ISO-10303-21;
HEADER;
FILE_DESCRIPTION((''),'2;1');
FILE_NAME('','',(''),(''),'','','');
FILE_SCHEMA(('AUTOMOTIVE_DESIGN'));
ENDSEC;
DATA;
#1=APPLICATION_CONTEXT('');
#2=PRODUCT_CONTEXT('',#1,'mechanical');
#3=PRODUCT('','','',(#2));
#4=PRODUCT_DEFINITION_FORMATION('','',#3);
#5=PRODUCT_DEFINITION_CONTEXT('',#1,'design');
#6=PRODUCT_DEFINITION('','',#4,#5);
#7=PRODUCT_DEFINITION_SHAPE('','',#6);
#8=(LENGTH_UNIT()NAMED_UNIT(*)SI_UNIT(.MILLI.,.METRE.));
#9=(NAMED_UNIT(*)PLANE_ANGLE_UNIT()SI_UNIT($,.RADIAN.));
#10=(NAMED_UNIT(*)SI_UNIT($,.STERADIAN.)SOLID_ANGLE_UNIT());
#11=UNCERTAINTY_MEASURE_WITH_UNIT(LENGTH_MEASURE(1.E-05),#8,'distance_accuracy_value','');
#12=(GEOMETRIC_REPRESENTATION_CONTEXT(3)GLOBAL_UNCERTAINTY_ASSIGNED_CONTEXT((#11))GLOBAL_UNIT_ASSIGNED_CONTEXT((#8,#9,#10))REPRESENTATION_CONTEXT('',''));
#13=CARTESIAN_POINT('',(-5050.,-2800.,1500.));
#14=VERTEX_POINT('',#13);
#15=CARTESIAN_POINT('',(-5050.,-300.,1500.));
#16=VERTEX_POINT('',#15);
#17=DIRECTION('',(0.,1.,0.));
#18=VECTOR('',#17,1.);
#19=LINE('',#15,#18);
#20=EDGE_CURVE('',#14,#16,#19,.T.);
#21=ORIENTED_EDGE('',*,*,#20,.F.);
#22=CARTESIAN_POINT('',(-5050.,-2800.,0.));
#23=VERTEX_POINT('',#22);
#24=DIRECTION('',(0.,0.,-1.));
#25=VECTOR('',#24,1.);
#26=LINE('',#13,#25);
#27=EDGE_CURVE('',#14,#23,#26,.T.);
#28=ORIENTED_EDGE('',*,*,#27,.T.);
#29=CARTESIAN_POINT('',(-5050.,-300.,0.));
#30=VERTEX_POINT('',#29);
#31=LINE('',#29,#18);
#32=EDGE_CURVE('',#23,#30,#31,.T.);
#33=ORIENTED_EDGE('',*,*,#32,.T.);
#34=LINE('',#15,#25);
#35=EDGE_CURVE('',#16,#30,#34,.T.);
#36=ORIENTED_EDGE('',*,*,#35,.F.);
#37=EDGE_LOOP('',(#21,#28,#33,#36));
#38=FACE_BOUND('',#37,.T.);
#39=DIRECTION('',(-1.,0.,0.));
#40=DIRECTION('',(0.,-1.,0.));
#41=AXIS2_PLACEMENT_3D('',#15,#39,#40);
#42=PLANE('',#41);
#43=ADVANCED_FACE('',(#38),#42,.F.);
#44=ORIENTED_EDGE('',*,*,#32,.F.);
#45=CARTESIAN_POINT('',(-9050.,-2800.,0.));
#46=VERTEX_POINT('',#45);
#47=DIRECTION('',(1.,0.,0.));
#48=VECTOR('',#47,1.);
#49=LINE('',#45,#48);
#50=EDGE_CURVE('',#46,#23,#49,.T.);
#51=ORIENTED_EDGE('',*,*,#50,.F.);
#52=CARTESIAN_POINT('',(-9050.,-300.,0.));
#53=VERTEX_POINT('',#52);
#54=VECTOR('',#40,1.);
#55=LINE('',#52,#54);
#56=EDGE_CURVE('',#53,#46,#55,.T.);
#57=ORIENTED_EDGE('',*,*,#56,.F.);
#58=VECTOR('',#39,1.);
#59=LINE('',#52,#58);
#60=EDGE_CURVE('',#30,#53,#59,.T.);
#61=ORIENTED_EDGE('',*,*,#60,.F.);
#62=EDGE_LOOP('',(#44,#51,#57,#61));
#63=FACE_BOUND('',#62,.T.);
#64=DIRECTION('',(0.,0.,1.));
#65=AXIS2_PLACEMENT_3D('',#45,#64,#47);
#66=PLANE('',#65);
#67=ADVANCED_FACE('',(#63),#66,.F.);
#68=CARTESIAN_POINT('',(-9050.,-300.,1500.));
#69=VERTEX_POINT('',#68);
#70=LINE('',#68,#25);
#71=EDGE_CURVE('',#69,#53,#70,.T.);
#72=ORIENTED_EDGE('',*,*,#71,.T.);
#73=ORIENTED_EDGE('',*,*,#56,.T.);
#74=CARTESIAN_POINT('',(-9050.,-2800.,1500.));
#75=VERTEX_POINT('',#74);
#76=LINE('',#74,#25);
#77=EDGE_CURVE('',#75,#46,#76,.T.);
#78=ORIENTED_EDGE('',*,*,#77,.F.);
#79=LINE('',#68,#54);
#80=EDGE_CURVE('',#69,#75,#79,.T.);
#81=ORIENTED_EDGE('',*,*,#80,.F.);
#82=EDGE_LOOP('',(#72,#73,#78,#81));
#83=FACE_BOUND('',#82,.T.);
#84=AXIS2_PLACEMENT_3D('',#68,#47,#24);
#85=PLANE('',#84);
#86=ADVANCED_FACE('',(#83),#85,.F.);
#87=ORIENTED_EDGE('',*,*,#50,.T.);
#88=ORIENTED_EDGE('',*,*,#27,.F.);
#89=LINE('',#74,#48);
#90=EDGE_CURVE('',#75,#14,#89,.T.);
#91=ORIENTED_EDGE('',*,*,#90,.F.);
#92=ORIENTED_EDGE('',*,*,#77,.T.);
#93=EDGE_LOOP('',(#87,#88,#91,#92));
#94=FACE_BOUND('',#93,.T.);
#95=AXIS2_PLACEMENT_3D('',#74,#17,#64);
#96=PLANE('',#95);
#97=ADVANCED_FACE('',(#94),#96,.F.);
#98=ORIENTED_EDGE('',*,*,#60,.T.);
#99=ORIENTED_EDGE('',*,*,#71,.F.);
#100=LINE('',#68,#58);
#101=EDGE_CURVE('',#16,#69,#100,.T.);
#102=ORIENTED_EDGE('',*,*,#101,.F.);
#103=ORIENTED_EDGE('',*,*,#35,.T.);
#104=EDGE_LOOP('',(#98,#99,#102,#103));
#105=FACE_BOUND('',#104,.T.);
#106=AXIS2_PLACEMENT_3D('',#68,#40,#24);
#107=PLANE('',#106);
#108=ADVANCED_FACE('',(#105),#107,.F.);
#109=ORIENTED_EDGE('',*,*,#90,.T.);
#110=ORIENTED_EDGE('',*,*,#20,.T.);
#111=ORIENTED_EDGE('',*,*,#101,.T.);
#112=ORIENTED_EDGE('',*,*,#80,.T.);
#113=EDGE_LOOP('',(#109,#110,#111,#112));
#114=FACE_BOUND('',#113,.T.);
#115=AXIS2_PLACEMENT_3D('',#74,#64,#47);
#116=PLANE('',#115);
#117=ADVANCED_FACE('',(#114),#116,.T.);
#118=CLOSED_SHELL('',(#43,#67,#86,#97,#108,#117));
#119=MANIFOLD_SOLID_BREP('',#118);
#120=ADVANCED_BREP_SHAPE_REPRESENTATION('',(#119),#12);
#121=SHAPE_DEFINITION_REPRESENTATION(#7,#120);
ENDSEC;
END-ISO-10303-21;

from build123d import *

# Parameters (mm, degrees)
SKETCH1_W      = 4000
SKETCH1_H      = 2500
EXTRUDE1_DEPTH = 1500


with BuildPart() as part:
    # Sketch1 → Extrude1 (new body)
    with BuildSketch(Plane.XY):
        with Locations((-7050, -1550)):
            Rectangle(SKETCH1_W, SKETCH1_H)
    extrude(amount=EXTRUDE1_DEPTH)


solid = part.part
